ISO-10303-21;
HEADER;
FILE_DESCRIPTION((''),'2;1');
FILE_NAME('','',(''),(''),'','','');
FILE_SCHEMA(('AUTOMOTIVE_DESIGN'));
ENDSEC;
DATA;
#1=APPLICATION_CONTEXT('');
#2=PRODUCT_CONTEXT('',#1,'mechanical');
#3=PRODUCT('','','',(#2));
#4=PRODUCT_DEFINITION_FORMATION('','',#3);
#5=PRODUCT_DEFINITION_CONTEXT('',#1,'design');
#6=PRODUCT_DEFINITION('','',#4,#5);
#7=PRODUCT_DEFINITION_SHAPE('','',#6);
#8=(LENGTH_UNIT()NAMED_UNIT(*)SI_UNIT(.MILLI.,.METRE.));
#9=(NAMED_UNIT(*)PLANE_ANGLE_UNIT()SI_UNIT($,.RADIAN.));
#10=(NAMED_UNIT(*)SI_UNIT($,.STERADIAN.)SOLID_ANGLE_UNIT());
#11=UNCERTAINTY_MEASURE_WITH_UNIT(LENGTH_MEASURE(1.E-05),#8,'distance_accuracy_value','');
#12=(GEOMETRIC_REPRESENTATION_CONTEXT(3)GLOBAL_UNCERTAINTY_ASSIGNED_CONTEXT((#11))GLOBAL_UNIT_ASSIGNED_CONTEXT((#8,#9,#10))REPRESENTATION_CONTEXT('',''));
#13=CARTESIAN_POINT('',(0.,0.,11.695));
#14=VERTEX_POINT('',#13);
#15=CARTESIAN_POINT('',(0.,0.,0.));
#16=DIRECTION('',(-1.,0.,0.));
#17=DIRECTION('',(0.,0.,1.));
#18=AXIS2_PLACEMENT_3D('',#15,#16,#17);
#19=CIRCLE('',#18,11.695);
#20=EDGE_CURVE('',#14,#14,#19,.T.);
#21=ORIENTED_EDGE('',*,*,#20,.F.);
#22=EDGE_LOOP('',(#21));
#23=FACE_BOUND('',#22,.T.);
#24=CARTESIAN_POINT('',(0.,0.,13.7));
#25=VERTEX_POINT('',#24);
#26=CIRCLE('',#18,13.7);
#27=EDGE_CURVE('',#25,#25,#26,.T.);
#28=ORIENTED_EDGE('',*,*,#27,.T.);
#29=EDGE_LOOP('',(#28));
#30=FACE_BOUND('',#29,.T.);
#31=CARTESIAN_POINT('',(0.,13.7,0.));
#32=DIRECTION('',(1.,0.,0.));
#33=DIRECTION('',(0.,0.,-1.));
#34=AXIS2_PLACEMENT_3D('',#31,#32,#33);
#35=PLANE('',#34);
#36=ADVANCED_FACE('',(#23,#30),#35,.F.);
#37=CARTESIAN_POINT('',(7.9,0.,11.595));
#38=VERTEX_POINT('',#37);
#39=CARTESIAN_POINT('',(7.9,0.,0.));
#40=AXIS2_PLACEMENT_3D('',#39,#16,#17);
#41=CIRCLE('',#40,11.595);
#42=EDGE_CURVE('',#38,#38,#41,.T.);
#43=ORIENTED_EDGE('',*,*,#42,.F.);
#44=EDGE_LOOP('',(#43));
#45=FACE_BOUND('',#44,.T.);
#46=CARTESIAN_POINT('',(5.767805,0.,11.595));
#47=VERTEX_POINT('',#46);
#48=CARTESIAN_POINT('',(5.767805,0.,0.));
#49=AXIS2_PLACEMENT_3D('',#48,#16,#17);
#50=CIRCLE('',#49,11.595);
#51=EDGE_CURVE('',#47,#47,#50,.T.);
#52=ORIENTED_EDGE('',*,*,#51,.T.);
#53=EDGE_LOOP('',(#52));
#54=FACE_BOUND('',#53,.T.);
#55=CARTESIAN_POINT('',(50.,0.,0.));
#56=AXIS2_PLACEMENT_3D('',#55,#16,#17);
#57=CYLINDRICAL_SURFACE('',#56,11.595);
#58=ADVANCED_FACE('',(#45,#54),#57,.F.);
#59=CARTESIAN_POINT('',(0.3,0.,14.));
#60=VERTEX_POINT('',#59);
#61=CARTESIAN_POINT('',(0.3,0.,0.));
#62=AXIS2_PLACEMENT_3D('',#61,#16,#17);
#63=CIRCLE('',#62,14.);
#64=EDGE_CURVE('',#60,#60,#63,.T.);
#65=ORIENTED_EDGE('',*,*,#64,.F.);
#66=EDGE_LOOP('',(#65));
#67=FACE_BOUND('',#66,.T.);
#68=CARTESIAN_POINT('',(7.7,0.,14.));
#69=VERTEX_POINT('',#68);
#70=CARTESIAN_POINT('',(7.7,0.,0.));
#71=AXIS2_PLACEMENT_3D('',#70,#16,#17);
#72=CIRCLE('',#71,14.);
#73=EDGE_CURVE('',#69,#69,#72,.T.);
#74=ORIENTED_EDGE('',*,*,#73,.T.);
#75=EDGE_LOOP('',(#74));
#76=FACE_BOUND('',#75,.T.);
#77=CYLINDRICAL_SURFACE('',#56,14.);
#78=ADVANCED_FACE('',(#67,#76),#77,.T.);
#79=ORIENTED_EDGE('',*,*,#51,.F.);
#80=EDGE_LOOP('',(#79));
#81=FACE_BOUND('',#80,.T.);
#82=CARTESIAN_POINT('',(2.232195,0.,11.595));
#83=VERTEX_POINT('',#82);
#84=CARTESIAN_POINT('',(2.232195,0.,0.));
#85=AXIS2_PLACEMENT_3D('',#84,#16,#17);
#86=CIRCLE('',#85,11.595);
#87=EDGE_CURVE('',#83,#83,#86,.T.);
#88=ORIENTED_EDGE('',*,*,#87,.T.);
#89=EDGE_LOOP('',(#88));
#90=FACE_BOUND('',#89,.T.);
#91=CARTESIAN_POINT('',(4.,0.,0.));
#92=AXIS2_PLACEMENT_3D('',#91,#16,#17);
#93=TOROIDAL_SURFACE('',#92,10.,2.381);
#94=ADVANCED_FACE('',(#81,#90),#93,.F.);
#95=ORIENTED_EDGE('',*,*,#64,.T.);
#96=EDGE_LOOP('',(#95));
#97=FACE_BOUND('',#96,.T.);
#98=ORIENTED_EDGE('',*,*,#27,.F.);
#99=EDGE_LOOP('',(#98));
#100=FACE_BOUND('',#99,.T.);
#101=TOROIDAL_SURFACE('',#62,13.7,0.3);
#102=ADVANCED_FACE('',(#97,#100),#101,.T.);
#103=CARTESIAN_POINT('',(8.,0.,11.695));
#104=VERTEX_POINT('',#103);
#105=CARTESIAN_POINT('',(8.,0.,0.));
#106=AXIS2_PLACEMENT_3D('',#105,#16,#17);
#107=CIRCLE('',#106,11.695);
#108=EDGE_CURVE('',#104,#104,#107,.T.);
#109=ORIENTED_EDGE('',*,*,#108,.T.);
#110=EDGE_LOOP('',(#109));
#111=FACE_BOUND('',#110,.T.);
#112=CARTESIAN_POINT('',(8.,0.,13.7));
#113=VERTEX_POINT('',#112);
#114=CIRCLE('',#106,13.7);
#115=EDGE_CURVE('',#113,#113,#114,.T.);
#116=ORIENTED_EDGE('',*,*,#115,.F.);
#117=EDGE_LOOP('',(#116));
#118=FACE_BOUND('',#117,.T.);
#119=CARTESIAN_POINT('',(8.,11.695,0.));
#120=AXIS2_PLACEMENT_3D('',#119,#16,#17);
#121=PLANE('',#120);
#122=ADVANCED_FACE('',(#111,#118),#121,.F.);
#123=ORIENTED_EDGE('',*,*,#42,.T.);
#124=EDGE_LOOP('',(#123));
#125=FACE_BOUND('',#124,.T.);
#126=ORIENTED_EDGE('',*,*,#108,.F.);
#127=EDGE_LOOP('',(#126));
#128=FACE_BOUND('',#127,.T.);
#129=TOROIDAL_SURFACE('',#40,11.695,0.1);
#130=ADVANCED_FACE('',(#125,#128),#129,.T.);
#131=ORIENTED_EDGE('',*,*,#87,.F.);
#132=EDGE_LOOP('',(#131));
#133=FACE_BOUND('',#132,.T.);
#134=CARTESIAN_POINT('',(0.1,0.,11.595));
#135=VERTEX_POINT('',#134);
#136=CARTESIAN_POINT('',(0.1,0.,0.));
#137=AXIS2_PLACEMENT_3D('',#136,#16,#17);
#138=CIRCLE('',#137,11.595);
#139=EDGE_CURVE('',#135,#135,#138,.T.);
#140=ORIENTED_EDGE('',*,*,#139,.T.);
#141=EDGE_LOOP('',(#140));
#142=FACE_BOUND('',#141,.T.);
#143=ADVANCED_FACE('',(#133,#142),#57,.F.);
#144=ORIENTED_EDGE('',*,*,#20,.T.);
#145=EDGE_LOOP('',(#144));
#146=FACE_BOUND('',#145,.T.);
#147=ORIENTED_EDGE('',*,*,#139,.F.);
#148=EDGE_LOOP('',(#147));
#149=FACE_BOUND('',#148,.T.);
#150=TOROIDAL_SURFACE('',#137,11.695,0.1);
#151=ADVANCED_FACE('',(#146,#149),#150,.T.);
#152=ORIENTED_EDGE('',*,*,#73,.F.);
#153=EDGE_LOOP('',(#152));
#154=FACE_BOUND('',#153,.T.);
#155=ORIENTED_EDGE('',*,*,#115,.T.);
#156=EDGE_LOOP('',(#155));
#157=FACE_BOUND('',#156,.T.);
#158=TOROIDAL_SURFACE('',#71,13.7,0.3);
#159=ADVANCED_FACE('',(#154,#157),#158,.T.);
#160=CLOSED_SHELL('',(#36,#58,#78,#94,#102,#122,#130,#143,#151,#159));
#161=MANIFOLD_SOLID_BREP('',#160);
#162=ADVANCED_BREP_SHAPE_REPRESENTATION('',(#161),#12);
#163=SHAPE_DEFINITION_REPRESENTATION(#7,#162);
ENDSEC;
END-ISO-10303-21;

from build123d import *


with BuildPart() as part:
    # Esquisse1 → Révolution1 (revolve)
    with BuildSketch(Plane.XY, mode=Mode.PRIVATE) as r_volution1_sk:
        with BuildLine():
            Line((0, 13.7), (0, 11.695))
            ThreePointArc((0, 11.695), (0.029289322, 11.624289322), (0.1, 11.595))
            Line((0.1, 11.595), (2.232194581, 11.595))
            ThreePointArc((2.232194581, 11.595), (4, 12.381), (5.767805419, 11.595))
            Line((5.767805419, 11.595), (7.9, 11.595))
            ThreePointArc((7.9, 11.595), (7.970710678, 11.624289322), (8, 11.695))
            Line((8, 11.695), (8, 13.7))
            ThreePointArc((8, 13.7), (7.912132034, 13.912132034), (7.7, 14))
            Line((7.7, 14), (0.3, 14))
            ThreePointArc((0.3, 14), (0.087867966, 13.912132034), (0, 13.7))
        make_face()
    revolve(r_volution1_sk.sketch.rotate(Axis((50, 0, 0), (-1, 0, 0)), 270), axis=Axis((50, 0, 0), (-1, 0, 0)))


solid = part.part
